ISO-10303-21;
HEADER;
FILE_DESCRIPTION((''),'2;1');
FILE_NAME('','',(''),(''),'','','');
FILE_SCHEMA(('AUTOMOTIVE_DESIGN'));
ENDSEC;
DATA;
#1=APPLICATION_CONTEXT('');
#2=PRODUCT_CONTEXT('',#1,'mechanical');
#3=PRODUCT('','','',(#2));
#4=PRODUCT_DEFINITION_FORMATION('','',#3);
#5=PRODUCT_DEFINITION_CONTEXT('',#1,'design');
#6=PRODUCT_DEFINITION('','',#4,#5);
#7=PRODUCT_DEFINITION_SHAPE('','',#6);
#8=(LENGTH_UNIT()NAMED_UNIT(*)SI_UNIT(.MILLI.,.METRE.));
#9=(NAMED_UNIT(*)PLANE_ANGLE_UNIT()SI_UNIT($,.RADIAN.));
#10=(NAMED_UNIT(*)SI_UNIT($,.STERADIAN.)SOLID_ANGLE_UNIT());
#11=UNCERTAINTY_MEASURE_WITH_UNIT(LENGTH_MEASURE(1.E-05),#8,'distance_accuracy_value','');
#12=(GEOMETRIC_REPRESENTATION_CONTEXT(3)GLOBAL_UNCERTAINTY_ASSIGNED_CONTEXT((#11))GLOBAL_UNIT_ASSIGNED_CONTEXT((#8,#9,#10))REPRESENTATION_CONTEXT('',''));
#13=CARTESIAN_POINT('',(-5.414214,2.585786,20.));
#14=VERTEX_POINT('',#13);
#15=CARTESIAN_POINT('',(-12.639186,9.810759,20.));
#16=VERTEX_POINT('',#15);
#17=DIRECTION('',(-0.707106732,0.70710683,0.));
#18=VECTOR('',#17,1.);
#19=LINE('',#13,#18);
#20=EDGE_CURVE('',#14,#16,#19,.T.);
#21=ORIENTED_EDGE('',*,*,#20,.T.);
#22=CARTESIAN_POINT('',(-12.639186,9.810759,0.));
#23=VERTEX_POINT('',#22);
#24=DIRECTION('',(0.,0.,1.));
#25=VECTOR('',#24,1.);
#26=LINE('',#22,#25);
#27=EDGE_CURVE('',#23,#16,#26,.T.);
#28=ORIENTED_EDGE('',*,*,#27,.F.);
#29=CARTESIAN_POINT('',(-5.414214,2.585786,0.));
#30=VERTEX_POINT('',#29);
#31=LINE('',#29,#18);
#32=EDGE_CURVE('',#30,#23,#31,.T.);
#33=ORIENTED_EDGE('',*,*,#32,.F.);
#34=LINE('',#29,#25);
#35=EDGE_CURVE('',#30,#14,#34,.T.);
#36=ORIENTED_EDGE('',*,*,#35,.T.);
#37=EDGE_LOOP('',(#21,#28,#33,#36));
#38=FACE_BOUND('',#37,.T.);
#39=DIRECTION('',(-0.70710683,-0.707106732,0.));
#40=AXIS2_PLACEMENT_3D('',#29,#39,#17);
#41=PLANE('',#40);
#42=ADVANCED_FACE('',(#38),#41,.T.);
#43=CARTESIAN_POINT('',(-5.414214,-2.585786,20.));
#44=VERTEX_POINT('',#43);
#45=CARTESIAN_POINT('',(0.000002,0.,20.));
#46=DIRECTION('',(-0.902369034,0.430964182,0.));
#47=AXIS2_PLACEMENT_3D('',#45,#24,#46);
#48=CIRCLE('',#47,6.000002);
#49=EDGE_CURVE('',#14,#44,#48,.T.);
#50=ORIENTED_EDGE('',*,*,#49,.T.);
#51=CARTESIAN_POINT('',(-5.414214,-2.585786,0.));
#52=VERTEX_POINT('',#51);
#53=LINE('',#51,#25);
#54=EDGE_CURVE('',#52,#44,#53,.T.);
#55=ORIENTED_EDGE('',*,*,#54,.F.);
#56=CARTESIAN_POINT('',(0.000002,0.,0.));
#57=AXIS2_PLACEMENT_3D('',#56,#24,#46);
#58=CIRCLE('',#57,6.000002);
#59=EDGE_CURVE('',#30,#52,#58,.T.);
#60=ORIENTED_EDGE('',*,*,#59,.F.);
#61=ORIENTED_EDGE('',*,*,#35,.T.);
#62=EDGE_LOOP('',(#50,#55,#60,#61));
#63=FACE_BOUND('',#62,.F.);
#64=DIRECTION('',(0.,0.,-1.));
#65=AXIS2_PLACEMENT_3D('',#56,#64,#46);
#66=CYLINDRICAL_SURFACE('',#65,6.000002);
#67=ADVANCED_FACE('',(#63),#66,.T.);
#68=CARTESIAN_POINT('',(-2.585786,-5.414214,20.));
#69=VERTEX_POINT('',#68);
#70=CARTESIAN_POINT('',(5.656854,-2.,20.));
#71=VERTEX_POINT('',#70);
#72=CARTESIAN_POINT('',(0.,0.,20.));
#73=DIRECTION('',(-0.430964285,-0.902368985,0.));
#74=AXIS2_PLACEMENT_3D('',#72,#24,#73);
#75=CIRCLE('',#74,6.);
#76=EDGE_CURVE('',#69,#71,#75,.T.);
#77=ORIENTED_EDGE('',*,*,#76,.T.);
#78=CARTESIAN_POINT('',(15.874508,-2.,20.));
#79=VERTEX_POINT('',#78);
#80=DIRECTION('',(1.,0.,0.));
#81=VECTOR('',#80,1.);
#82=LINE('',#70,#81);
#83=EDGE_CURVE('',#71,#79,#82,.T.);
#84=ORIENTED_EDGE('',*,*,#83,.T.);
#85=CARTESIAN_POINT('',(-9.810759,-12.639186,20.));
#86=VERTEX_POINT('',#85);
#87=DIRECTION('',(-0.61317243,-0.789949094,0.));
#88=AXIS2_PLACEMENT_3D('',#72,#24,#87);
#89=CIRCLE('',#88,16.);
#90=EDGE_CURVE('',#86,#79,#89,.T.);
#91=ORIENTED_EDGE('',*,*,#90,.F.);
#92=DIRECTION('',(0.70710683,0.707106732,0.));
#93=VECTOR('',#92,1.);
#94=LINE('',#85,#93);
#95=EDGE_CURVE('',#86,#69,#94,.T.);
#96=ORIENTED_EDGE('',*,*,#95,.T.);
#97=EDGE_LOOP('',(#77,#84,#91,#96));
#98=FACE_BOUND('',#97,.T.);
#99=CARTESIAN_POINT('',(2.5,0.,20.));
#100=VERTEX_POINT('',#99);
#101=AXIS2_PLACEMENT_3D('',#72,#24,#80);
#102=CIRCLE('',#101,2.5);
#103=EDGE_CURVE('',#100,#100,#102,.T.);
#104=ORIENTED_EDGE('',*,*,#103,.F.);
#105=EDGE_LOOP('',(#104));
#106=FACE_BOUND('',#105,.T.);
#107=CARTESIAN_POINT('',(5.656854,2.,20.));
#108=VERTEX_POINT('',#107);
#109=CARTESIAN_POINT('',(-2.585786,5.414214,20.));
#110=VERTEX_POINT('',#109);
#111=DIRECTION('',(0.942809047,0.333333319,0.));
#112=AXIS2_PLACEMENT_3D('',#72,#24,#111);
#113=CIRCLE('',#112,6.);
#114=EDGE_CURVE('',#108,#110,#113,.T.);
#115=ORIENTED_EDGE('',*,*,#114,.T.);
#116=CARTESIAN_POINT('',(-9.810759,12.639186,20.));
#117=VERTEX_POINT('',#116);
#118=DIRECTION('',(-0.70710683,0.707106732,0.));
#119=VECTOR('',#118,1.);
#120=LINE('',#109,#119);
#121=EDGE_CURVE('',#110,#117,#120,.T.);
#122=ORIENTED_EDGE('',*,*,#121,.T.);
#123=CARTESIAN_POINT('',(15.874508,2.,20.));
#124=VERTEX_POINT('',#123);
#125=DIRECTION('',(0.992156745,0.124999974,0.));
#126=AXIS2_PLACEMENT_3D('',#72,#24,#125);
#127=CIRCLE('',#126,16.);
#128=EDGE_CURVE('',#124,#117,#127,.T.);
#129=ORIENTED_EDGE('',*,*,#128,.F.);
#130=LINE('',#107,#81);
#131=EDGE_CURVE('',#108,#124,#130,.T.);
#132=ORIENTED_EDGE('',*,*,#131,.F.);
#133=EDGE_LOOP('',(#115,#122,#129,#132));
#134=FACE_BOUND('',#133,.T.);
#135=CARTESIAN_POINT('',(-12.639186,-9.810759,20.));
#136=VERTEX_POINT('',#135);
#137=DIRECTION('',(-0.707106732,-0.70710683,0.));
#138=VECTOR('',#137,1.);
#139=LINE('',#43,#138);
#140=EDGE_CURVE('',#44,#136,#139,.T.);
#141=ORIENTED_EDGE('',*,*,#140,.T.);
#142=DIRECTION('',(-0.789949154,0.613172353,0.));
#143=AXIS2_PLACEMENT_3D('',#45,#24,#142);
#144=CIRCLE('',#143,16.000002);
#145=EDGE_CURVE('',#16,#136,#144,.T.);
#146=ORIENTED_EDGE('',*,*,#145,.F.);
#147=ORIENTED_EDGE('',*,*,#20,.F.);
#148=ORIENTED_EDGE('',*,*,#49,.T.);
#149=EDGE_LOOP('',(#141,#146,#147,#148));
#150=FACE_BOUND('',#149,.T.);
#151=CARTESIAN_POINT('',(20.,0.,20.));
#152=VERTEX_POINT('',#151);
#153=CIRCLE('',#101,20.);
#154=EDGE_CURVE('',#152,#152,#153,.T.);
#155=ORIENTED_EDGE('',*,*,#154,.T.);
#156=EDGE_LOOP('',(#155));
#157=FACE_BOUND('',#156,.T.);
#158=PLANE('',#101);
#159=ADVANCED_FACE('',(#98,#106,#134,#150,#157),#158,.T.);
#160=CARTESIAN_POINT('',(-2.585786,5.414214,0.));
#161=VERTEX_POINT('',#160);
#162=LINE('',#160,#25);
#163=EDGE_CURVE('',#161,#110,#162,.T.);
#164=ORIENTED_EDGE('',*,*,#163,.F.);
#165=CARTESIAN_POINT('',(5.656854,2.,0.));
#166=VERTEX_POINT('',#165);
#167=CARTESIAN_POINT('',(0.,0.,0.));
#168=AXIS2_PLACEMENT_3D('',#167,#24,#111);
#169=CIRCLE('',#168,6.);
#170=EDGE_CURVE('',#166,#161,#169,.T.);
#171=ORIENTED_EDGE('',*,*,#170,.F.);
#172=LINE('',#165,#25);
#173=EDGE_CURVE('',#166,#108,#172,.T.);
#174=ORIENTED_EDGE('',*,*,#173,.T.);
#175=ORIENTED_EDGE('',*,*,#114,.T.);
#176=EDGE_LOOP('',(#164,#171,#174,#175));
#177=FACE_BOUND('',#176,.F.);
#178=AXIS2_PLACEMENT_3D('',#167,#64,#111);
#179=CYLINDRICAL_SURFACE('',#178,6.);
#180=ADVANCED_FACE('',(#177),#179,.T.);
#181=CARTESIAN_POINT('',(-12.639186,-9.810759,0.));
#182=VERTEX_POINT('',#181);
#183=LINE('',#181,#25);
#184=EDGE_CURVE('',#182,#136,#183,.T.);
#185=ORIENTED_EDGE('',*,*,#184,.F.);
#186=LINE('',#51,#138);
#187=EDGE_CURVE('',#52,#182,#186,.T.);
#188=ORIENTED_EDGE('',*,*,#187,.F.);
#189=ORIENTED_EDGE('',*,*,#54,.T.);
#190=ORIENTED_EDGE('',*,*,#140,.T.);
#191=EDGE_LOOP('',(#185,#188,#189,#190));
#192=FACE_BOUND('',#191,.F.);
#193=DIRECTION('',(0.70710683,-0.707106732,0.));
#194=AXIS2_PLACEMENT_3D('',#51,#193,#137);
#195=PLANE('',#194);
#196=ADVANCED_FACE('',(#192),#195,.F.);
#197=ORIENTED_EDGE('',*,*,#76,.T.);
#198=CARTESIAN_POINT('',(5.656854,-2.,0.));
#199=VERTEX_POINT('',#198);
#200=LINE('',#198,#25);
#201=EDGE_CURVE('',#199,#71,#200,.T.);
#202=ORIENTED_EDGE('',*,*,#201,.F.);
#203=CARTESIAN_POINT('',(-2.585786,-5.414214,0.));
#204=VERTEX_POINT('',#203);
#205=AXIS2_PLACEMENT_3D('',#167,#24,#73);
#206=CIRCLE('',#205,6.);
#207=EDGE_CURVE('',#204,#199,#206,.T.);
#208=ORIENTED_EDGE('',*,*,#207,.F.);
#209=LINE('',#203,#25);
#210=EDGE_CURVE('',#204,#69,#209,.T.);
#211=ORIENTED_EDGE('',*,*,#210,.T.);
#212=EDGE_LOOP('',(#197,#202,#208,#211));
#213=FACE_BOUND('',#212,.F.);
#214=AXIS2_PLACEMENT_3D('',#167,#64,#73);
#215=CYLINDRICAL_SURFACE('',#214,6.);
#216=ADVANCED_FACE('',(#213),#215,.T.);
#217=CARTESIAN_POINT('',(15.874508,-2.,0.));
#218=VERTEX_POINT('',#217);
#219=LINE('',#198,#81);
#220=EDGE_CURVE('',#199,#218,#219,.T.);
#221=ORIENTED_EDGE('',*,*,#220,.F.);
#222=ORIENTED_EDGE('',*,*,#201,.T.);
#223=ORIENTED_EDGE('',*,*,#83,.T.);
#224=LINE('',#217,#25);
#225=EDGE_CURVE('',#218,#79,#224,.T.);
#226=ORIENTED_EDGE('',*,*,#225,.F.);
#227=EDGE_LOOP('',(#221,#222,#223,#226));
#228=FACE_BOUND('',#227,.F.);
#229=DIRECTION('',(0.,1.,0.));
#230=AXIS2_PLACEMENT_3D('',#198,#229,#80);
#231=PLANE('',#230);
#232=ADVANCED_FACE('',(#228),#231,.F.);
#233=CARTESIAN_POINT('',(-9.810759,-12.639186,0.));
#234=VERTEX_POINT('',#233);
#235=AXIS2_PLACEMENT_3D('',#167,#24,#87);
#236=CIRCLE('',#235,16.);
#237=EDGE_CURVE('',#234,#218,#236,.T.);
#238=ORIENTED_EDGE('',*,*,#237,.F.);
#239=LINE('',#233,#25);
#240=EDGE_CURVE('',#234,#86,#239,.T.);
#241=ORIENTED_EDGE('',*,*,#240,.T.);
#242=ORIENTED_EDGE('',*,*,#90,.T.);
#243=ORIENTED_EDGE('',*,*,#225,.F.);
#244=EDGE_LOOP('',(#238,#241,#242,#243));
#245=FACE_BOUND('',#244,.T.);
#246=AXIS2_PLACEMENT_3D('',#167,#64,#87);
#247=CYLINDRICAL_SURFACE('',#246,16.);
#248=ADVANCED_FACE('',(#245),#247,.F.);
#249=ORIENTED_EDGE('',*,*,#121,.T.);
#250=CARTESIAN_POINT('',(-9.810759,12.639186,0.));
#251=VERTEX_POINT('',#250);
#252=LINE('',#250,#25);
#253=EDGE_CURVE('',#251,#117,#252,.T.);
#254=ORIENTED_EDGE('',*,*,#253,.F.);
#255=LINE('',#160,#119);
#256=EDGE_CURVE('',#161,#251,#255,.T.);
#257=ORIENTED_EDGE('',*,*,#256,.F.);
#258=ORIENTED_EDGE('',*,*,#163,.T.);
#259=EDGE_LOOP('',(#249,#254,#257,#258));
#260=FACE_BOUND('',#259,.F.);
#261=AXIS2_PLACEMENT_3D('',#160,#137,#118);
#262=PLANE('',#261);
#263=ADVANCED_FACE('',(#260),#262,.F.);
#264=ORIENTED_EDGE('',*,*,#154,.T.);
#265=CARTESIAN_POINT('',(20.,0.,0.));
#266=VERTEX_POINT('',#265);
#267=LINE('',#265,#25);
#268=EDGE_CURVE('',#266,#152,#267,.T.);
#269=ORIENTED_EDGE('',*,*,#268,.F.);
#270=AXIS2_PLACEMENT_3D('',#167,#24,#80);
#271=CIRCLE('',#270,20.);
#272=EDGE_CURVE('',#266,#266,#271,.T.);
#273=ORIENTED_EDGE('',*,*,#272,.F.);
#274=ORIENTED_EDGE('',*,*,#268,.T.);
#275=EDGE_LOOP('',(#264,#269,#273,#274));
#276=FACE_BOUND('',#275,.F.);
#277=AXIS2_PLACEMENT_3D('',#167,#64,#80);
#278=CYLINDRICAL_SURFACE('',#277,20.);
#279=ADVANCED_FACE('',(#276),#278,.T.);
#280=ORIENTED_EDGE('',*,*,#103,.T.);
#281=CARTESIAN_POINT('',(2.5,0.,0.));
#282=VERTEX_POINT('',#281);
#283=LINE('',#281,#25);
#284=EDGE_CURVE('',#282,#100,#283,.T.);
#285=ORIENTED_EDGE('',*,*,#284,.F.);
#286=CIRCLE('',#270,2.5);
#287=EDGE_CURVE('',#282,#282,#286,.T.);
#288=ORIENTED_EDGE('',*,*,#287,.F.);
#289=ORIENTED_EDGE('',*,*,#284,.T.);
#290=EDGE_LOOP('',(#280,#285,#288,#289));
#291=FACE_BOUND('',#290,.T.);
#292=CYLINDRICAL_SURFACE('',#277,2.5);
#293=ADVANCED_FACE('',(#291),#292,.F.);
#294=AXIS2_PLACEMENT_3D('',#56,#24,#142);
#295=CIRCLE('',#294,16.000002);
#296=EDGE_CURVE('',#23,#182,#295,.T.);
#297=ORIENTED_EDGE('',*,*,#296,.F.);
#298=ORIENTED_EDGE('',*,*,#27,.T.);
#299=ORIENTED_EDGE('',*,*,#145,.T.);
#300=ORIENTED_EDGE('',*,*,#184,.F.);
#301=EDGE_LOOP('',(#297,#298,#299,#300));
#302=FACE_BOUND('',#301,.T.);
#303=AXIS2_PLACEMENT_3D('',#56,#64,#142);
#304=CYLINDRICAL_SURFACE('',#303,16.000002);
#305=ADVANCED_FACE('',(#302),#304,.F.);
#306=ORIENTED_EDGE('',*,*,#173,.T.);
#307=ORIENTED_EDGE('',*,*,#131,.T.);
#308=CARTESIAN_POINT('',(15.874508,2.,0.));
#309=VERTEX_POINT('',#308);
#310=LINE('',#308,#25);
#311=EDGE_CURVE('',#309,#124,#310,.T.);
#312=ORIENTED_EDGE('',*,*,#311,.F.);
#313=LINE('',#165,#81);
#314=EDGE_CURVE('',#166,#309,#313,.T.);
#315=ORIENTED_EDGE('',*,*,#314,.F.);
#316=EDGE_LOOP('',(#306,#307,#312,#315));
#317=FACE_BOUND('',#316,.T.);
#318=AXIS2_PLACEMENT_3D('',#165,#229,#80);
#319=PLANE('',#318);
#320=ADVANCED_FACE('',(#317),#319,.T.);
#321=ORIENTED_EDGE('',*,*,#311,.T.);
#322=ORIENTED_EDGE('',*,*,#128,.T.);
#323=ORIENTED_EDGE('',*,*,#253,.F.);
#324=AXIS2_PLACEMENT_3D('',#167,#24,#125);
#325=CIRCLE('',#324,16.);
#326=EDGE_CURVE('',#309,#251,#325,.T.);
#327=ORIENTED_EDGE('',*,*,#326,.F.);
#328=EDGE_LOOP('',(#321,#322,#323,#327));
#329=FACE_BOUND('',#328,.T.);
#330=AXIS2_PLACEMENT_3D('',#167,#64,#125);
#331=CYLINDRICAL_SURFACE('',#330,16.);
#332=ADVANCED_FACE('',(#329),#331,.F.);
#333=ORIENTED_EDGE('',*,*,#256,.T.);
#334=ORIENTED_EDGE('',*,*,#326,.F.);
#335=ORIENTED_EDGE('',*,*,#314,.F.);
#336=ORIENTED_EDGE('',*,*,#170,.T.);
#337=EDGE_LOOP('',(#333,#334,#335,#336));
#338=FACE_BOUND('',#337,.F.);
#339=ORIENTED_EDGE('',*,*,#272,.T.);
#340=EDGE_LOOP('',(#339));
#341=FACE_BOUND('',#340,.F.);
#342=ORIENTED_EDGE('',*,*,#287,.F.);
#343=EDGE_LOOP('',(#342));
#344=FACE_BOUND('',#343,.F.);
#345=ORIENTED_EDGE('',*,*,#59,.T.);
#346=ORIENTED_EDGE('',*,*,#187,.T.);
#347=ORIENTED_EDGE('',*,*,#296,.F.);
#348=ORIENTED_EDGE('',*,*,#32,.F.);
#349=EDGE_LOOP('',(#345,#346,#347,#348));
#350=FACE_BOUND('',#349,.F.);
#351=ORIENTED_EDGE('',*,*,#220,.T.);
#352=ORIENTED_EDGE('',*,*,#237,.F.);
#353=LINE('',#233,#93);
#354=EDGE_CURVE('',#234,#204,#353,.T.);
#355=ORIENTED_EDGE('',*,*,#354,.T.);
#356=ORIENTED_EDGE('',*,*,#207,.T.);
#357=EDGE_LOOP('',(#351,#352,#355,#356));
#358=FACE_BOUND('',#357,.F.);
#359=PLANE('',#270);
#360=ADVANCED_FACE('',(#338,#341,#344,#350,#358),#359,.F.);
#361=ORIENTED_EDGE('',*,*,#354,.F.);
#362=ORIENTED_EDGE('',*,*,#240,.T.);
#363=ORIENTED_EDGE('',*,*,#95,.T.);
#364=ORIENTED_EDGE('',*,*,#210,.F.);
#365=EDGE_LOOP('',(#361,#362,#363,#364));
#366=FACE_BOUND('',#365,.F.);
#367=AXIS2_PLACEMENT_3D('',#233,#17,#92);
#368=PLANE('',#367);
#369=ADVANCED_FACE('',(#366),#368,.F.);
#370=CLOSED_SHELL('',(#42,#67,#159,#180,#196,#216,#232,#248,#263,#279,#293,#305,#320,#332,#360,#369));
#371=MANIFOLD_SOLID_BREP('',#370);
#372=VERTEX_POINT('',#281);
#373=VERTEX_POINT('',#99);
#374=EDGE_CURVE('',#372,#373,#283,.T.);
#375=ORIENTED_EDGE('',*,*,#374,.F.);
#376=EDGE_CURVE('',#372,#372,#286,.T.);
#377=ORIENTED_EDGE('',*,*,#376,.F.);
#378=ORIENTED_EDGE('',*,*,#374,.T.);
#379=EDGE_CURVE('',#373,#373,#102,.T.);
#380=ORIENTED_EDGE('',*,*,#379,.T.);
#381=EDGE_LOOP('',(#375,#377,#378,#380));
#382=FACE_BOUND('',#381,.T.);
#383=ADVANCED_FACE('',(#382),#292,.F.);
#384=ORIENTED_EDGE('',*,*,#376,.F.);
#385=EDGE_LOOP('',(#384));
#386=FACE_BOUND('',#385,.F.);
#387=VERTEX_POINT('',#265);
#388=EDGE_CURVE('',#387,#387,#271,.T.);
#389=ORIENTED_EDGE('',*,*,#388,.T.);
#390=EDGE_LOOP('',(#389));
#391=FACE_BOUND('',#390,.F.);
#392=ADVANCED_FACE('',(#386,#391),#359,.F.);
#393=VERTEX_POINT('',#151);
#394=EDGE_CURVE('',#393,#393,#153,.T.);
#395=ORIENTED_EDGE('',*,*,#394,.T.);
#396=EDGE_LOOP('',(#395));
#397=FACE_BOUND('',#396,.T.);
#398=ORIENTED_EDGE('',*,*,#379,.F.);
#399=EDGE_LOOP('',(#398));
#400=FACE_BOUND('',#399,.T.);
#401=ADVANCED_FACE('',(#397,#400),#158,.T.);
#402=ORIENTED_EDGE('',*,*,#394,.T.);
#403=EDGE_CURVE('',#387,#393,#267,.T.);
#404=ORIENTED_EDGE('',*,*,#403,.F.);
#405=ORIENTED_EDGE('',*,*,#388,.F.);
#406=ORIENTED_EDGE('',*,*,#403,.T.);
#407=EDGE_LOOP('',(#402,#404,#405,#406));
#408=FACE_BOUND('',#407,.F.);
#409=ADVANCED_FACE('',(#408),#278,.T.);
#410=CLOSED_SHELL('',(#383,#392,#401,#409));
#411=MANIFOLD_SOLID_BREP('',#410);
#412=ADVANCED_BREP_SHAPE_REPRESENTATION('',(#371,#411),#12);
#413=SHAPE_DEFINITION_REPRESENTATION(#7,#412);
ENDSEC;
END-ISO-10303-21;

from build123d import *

# Parameters (mm, degrees)
SKETCH_R      = 20
SKETCH_R_2    = 2.5
PAD_DEPTH     = 20
SKETCH001_R   = 20
SKETCH001_R_2 = 2.5
PAD001_DEPTH  = 20


with BuildPart() as body:
    # Sketch → Pad (new body)
    with BuildSketch(Plane.XY):
        Circle(SKETCH_R)
        Circle(SKETCH_R_2, mode=Mode.SUBTRACT)
        with BuildLine():
            ThreePointArc((15.874508, 2), (6.122935, 14.782073), (-9.810759, 12.639186))
            Line((-2.585786, 5.414214), (-9.810759, 12.639186))
            ThreePointArc((5.656854, 2), (2.296101, 5.543277), (-2.585786, 5.414214))
            Line((5.656854, 2), (15.874508, 2))
        make_face(mode=Mode.SUBTRACT)
        with BuildLine():
            Line((5.656854, -2), (15.874508, -2))
            ThreePointArc((-9.810759, -12.639186), (6.122935, -14.782073), (15.874508, -2))
            Line((-9.810759, -12.639186), (-2.585786, -5.414214))
            ThreePointArc((-2.585786, -5.414214), (2.296101, -5.543277), (5.656854, -2))
        make_face(mode=Mode.SUBTRACT)
        with BuildLine():
            Line((-5.414214, 2.585786), (-12.639186, 9.810759))
            ThreePointArc((-12.639186, 9.810759), (-16, 0), (-12.639186, -9.810759))
            Line((-5.414214, -2.585786), (-12.639186, -9.810759))
            ThreePointArc((-5.414214, 2.585786), (-6, 0), (-5.414214, -2.585786))
        make_face(mode=Mode.SUBTRACT)
    extrude(amount=PAD_DEPTH)


with BuildPart() as body001:
    # Sketch001 → Pad001 (new body)
    with BuildSketch(Plane.XY):
        Circle(SKETCH001_R)
        Circle(SKETCH001_R_2, mode=Mode.SUBTRACT)
    extrude(amount=PAD001_DEPTH)


solid = Compound([body.part, body001.part])
